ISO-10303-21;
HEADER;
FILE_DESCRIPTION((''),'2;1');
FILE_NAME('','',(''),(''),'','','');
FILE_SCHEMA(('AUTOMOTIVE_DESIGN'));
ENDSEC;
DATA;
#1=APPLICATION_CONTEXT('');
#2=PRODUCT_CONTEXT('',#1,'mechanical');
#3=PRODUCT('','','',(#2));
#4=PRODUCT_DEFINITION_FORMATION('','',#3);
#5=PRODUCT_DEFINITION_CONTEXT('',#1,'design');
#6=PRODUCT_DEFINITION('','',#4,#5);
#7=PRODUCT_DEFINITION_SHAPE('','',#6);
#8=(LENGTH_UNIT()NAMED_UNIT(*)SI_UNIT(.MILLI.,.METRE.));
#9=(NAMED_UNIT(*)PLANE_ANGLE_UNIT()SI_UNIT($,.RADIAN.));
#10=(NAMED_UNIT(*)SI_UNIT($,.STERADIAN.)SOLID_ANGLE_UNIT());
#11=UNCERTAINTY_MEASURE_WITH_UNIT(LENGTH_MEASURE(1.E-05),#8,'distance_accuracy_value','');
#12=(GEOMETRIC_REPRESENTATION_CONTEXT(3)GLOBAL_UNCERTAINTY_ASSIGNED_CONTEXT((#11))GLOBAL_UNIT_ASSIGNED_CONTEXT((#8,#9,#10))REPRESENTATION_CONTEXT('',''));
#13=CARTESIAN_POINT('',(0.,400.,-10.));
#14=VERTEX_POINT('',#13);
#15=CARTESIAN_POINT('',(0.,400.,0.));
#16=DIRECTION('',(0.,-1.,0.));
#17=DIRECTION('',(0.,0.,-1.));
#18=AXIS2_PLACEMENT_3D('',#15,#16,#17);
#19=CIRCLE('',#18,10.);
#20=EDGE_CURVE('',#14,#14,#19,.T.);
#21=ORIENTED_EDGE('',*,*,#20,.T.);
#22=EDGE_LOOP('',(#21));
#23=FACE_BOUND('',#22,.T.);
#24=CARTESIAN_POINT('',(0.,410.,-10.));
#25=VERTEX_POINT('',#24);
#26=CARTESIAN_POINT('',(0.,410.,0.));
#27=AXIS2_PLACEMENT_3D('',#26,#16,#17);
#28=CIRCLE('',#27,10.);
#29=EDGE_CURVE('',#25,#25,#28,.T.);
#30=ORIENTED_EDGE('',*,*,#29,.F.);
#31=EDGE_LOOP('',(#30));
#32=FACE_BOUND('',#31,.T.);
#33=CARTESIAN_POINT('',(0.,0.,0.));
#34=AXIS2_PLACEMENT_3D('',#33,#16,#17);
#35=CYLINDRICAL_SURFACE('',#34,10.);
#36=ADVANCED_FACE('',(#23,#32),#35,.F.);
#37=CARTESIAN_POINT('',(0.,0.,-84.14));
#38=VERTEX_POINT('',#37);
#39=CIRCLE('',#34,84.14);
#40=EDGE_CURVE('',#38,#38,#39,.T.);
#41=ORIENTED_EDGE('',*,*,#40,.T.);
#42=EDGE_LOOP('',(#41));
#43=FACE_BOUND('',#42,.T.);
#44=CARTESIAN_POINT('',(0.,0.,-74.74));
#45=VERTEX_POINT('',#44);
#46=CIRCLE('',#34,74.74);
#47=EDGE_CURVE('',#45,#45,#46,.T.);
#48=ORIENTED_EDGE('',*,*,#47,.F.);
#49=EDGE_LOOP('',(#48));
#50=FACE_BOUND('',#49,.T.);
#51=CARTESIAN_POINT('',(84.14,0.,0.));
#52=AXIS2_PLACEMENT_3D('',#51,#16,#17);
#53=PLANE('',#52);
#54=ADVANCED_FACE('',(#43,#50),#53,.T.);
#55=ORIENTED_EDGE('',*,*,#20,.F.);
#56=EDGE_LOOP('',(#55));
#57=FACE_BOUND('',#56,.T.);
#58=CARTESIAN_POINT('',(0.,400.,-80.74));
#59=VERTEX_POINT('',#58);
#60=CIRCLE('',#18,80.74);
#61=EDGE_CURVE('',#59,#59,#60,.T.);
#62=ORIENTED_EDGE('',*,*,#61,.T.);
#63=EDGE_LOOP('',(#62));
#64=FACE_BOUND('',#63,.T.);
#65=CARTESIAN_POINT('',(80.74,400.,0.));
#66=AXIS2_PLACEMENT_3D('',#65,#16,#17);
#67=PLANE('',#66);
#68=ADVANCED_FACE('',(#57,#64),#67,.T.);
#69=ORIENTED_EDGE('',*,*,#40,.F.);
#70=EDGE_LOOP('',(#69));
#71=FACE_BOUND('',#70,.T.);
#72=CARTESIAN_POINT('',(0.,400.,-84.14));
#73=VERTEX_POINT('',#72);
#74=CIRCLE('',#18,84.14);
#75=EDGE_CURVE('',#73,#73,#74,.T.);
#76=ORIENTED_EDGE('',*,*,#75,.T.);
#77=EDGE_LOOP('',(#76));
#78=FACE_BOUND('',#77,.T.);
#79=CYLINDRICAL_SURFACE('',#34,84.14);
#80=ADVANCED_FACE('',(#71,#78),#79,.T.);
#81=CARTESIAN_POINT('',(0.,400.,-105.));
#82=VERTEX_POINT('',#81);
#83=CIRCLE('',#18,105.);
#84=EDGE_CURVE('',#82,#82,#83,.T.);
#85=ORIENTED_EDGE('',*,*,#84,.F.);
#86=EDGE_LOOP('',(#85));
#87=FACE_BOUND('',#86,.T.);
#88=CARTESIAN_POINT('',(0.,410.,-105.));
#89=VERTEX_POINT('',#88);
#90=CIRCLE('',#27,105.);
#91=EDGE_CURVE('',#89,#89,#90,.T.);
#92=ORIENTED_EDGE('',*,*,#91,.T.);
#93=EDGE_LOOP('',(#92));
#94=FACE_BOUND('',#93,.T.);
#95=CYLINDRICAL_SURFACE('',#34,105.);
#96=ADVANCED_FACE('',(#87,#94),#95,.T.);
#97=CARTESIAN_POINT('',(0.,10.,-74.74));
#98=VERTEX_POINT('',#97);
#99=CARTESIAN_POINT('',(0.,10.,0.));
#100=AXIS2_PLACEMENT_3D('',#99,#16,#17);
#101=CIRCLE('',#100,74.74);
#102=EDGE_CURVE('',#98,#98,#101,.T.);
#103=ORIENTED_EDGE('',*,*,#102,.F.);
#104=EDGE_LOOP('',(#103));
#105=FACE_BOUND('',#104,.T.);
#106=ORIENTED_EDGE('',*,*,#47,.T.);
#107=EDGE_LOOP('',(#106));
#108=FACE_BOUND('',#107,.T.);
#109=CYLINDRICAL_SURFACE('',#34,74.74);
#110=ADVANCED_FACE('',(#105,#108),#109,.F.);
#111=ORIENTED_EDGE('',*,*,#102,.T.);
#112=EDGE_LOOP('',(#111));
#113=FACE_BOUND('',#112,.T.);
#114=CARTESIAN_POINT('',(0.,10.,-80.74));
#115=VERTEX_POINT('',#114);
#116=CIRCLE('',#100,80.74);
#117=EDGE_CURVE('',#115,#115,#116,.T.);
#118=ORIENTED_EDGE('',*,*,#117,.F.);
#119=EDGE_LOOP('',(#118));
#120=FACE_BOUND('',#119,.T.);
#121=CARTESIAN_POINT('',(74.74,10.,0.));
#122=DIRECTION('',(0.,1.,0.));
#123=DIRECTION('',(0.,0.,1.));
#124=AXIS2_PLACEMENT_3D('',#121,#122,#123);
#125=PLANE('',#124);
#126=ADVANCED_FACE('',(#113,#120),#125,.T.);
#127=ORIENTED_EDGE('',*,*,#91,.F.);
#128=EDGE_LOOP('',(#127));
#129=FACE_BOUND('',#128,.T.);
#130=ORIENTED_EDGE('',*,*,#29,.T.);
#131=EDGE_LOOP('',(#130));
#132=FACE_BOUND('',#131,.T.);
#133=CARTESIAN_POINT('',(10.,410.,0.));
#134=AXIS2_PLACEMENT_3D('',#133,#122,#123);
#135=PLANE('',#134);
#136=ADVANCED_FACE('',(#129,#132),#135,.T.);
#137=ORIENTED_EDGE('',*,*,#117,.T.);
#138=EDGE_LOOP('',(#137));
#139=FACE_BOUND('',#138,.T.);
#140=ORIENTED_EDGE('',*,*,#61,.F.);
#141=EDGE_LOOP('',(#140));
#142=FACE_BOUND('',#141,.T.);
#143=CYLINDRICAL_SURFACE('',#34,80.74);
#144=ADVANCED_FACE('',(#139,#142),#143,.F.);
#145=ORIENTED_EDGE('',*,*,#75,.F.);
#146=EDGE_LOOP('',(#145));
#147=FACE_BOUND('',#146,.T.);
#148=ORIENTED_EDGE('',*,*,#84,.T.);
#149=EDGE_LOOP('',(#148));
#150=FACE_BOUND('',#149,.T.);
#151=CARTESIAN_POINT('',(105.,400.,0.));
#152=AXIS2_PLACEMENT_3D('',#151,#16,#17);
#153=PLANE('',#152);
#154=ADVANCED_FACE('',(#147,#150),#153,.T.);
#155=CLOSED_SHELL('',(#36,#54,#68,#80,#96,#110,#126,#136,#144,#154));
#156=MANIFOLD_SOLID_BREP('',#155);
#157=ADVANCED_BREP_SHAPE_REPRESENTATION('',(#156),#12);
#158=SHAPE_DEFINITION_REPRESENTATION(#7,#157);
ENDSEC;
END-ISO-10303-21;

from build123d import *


with BuildPart() as part:
    # Esboço1 → Revolução1 (revolve)
    with BuildSketch(Plane.XY):
        Polygon((10, 410), (105, 410), (105, 400), (84.14, 400), (84.14, 0), (74.74, 0), (74.74, 10), (80.74, 10), (80.74, 400), (10, 400), align=None)
    revolve(axis=Axis((0, 0, 0), (0, 1, 0)))


solid = part.part
